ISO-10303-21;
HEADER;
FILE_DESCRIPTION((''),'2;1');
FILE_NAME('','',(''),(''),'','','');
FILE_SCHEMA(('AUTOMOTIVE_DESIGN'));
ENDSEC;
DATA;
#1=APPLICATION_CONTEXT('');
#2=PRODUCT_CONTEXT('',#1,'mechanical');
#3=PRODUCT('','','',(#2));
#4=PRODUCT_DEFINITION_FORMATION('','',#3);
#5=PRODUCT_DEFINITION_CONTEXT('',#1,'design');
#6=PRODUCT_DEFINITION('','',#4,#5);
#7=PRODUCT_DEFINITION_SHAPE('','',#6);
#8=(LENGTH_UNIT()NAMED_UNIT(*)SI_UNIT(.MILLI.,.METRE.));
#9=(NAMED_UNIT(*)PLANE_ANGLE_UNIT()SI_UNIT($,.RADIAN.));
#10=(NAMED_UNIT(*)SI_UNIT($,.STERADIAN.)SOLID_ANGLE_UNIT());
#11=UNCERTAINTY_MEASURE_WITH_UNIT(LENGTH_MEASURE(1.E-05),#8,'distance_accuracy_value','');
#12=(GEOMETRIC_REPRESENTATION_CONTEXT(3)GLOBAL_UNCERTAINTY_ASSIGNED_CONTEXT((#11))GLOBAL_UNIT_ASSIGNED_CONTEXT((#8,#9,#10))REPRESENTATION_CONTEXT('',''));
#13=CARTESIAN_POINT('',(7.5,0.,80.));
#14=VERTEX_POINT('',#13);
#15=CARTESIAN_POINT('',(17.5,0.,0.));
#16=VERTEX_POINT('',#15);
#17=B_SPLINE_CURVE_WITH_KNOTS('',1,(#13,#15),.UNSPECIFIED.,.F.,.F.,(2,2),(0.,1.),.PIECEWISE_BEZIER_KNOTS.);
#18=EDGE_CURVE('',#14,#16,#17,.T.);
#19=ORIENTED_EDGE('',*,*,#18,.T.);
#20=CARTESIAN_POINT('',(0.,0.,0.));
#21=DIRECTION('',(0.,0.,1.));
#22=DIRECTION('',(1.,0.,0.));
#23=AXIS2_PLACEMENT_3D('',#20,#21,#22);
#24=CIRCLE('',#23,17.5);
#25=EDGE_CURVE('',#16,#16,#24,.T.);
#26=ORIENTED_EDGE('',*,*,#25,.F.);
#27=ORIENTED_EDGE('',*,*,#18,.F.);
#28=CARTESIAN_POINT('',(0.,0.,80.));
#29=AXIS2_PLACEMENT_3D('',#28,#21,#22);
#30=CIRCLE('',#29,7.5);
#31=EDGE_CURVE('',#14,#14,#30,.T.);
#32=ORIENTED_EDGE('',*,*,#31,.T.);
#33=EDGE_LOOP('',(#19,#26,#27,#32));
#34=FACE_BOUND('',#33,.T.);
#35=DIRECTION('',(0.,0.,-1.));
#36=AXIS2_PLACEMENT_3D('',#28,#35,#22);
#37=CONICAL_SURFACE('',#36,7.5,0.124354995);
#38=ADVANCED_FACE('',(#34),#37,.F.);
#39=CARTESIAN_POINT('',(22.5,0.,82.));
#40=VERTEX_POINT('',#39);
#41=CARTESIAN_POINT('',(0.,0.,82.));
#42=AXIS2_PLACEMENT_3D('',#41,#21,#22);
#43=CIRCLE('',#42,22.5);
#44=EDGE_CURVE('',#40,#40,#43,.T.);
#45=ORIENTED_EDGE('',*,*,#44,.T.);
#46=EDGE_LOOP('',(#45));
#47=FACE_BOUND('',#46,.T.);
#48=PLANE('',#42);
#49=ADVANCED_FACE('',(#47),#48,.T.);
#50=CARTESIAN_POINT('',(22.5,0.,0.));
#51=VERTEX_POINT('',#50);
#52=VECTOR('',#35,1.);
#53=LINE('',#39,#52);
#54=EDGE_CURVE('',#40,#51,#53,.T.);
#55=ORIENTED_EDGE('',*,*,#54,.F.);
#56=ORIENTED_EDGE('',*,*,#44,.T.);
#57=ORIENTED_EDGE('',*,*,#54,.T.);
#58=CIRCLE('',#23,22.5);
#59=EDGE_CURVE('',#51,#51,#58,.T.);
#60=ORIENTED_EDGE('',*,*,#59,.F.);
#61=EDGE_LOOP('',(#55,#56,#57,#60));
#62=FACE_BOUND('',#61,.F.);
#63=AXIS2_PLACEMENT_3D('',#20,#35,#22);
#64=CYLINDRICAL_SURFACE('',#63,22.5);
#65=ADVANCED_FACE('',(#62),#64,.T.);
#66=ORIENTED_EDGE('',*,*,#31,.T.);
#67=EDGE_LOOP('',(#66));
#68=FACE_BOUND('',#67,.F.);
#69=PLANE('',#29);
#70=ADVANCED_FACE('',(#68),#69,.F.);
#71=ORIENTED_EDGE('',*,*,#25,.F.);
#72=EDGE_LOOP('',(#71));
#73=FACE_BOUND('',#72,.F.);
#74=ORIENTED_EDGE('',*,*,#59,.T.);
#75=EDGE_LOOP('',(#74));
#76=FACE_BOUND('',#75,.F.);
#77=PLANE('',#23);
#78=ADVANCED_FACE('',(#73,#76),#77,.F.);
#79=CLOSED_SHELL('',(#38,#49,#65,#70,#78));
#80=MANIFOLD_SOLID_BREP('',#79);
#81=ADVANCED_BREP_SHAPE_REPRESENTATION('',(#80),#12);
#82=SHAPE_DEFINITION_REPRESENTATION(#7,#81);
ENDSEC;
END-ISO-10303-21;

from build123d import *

# Parameters (mm, degrees)
F3_R        = 22.5
F4_DEPTH    = 80
F2_R        = 7.5
F0_R        = 17.5
F4_FACE_R   = 22.5
F4_FACE_R_2 = 7.5
F6_DEPTH    = 2


with BuildPart() as f4:
    # F3 (on Top) → F4 (new body)
    with BuildSketch(Plane.XY):
        Circle(F3_R)
    extrude(amount=F4_DEPTH)

    # F2 (on offset) → F5 section 0
    with BuildSketch(Plane.XY.offset(80)):
        Circle(F2_R)
    # F0 (on Top) → F5 section 1
    with BuildSketch(Plane.XY):
        Circle(F0_R)
    loft(mode=Mode.SUBTRACT)

    # F2 (on offset) + F4_face (on face) → F6 (join)
    with BuildSketch(Plane.XY.offset(80)):
        Circle(F2_R)
    with BuildSketch(Plane.XY.offset(80)):
        Circle(F4_FACE_R)
        Circle(F4_FACE_R_2, mode=Mode.SUBTRACT)
    extrude(amount=F6_DEPTH)


solid = f4.part
